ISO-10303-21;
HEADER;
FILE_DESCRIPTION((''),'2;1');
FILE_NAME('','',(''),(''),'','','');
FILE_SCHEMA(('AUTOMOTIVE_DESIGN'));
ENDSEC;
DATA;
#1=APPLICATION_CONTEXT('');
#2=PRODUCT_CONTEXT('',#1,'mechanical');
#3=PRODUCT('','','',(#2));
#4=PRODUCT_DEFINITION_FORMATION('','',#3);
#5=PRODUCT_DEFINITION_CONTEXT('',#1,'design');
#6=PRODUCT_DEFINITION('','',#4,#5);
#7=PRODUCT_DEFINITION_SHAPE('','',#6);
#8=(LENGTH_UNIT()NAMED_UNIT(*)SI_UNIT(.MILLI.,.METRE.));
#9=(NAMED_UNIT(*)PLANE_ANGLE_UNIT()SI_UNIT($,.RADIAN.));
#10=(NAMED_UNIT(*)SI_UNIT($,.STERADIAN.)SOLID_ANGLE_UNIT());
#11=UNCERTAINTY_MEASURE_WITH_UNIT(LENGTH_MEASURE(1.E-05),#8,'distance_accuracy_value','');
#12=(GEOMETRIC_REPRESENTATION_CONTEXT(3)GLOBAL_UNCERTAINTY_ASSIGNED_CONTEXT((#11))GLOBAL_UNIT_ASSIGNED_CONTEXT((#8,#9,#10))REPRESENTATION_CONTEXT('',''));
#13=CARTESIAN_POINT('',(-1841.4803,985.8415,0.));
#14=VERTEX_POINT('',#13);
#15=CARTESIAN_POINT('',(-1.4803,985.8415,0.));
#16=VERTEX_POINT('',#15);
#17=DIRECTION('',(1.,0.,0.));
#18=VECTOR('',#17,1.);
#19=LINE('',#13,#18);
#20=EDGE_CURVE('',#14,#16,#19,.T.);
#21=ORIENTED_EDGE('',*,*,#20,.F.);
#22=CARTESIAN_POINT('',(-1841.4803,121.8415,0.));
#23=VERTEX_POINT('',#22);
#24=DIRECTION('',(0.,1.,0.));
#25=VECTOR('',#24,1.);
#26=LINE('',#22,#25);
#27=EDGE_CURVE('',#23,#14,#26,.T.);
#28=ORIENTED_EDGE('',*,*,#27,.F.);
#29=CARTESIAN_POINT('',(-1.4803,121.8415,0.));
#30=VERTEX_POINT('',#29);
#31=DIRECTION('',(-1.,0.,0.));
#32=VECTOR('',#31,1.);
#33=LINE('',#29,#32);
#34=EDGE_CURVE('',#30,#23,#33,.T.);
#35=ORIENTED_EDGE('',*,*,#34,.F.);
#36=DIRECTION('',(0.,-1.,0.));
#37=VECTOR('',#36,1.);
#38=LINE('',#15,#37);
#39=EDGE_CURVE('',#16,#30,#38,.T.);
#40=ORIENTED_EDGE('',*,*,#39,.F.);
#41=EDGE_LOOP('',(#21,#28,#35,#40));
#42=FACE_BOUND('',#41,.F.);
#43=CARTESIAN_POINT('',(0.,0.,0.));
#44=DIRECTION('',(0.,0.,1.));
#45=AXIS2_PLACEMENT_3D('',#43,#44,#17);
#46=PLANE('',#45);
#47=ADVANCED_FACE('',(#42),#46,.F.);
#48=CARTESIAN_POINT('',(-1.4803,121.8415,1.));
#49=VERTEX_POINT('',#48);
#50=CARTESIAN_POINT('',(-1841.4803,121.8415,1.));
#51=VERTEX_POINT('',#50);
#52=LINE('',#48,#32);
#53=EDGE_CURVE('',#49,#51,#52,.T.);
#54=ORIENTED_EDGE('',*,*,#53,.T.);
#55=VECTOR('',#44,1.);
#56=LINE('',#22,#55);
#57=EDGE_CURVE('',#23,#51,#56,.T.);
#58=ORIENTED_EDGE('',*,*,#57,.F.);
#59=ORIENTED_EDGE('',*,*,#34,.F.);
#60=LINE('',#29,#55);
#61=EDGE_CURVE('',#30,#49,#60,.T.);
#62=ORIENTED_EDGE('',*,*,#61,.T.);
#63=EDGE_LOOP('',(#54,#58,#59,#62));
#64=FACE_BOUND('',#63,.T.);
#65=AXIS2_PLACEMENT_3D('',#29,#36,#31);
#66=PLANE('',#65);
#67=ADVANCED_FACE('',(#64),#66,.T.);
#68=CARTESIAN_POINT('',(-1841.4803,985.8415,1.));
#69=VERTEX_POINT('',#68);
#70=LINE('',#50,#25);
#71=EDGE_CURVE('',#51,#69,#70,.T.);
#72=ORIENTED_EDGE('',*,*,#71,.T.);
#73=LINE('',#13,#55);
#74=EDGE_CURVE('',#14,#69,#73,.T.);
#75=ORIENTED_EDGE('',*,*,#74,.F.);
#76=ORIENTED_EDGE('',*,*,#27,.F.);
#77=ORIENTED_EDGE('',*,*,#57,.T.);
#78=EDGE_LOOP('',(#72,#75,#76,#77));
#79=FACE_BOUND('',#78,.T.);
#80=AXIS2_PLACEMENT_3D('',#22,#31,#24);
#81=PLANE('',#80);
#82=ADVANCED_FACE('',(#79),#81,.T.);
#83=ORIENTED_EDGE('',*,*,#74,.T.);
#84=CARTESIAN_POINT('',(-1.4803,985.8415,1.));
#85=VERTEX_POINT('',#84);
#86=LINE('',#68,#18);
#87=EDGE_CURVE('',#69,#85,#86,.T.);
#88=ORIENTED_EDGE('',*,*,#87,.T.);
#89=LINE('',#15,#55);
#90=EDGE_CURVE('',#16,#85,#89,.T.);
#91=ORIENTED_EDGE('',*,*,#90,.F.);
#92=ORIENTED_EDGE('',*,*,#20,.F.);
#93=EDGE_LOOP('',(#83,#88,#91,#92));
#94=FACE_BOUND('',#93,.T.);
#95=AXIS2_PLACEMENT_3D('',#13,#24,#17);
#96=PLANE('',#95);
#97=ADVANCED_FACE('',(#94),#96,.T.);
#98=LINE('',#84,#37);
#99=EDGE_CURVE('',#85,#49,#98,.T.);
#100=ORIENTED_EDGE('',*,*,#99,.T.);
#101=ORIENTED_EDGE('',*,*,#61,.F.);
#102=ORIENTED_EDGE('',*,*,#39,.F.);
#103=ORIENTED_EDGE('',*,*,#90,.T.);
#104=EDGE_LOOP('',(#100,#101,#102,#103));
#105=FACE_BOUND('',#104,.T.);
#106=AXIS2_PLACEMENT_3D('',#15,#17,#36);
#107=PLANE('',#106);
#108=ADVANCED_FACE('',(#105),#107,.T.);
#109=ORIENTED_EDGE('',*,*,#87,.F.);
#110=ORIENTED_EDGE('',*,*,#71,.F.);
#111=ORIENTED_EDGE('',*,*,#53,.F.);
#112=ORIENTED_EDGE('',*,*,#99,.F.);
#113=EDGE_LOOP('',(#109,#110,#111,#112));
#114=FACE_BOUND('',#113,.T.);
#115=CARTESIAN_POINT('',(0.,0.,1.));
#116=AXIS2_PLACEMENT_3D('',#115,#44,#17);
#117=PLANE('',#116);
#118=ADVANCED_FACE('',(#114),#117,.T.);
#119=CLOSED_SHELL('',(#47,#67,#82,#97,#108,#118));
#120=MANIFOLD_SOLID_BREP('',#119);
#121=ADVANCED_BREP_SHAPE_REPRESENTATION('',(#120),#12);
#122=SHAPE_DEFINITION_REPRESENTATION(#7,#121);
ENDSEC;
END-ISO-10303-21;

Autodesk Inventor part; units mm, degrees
ref_plane "YZ Plane" through (0, 0, 0) normal (1, 0, 0) x (0, 1, 0)
ref_plane "XZ Plane" through (0, 0, 0) normal (0, 1, 0) x (-1, 0, 0)
ref_plane "XY Plane" through (0, 0, 0) normal (0, 0, 1) x (1, 0, 0)
sketch "Sketch1" plane through (0, 0, 0) normal (0, 0, 1) x (1, 0, 0)
  line L0 (-1841.4803, 985.8415) -> (-1.4803, 985.8415)
  line L1 (-1.4803, 985.8415) -> (-1.4803, 121.8415)
  line L2 (-1.4803, 121.8415) -> (-1841.4803, 121.8415)
  line L3 (-1841.4803, 121.8415) -> (-1841.4803, 985.8415)
  point P0 (0, 0)
  dimension "d0" = 864
  dimension "d1" = 1840
extrude "Extrusion1" add sketch "Sketch1" along normal blind 1
sketch "Sketch2" plane through (0, 0, 1) normal (0, 0, 1) x (1, 0, 0)
  line L0 (-3815.0031, 7.0011) -> (-1895.4054, 7.0011) construction
  line L1 (-1895.4054, 7.0011) -> (-1895.4054, -1072.7726) construction
  line L2 (-1895.4054, -1072.7726) -> (-3815.0031, -1072.7726) construction
  line L3 (-3815.0031, -1072.7726) -> (-3815.0031, 7.0011) construction
  line L4 (-5084.3881, 1207.0247) -> (-2840.8091, 1207.0247) construction
  line L5 (-2840.8091, 1207.0247) -> (-2840.8091, 85.2352) construction
  line L6 (-2840.8091, 85.2352) -> (-5084.3881, 85.2352) construction
  line L7 (-5084.3881, 85.2352) -> (-5084.3881, 1207.0247) construction
  line L8 (-1923.4825, 989.3132) -> (204.8985, 989.3132) construction
  line L9 (204.8985, 989.3132) -> (204.8985, 124.6584) construction
  line L10 (204.8985, 124.6584) -> (-1923.4825, 124.6584) construction
  line L11 (-1923.4825, 124.6584) -> (-1923.4825, 989.3132) construction
  point P0 (0, 0)
decal "Decal1"
properties part number "background"
